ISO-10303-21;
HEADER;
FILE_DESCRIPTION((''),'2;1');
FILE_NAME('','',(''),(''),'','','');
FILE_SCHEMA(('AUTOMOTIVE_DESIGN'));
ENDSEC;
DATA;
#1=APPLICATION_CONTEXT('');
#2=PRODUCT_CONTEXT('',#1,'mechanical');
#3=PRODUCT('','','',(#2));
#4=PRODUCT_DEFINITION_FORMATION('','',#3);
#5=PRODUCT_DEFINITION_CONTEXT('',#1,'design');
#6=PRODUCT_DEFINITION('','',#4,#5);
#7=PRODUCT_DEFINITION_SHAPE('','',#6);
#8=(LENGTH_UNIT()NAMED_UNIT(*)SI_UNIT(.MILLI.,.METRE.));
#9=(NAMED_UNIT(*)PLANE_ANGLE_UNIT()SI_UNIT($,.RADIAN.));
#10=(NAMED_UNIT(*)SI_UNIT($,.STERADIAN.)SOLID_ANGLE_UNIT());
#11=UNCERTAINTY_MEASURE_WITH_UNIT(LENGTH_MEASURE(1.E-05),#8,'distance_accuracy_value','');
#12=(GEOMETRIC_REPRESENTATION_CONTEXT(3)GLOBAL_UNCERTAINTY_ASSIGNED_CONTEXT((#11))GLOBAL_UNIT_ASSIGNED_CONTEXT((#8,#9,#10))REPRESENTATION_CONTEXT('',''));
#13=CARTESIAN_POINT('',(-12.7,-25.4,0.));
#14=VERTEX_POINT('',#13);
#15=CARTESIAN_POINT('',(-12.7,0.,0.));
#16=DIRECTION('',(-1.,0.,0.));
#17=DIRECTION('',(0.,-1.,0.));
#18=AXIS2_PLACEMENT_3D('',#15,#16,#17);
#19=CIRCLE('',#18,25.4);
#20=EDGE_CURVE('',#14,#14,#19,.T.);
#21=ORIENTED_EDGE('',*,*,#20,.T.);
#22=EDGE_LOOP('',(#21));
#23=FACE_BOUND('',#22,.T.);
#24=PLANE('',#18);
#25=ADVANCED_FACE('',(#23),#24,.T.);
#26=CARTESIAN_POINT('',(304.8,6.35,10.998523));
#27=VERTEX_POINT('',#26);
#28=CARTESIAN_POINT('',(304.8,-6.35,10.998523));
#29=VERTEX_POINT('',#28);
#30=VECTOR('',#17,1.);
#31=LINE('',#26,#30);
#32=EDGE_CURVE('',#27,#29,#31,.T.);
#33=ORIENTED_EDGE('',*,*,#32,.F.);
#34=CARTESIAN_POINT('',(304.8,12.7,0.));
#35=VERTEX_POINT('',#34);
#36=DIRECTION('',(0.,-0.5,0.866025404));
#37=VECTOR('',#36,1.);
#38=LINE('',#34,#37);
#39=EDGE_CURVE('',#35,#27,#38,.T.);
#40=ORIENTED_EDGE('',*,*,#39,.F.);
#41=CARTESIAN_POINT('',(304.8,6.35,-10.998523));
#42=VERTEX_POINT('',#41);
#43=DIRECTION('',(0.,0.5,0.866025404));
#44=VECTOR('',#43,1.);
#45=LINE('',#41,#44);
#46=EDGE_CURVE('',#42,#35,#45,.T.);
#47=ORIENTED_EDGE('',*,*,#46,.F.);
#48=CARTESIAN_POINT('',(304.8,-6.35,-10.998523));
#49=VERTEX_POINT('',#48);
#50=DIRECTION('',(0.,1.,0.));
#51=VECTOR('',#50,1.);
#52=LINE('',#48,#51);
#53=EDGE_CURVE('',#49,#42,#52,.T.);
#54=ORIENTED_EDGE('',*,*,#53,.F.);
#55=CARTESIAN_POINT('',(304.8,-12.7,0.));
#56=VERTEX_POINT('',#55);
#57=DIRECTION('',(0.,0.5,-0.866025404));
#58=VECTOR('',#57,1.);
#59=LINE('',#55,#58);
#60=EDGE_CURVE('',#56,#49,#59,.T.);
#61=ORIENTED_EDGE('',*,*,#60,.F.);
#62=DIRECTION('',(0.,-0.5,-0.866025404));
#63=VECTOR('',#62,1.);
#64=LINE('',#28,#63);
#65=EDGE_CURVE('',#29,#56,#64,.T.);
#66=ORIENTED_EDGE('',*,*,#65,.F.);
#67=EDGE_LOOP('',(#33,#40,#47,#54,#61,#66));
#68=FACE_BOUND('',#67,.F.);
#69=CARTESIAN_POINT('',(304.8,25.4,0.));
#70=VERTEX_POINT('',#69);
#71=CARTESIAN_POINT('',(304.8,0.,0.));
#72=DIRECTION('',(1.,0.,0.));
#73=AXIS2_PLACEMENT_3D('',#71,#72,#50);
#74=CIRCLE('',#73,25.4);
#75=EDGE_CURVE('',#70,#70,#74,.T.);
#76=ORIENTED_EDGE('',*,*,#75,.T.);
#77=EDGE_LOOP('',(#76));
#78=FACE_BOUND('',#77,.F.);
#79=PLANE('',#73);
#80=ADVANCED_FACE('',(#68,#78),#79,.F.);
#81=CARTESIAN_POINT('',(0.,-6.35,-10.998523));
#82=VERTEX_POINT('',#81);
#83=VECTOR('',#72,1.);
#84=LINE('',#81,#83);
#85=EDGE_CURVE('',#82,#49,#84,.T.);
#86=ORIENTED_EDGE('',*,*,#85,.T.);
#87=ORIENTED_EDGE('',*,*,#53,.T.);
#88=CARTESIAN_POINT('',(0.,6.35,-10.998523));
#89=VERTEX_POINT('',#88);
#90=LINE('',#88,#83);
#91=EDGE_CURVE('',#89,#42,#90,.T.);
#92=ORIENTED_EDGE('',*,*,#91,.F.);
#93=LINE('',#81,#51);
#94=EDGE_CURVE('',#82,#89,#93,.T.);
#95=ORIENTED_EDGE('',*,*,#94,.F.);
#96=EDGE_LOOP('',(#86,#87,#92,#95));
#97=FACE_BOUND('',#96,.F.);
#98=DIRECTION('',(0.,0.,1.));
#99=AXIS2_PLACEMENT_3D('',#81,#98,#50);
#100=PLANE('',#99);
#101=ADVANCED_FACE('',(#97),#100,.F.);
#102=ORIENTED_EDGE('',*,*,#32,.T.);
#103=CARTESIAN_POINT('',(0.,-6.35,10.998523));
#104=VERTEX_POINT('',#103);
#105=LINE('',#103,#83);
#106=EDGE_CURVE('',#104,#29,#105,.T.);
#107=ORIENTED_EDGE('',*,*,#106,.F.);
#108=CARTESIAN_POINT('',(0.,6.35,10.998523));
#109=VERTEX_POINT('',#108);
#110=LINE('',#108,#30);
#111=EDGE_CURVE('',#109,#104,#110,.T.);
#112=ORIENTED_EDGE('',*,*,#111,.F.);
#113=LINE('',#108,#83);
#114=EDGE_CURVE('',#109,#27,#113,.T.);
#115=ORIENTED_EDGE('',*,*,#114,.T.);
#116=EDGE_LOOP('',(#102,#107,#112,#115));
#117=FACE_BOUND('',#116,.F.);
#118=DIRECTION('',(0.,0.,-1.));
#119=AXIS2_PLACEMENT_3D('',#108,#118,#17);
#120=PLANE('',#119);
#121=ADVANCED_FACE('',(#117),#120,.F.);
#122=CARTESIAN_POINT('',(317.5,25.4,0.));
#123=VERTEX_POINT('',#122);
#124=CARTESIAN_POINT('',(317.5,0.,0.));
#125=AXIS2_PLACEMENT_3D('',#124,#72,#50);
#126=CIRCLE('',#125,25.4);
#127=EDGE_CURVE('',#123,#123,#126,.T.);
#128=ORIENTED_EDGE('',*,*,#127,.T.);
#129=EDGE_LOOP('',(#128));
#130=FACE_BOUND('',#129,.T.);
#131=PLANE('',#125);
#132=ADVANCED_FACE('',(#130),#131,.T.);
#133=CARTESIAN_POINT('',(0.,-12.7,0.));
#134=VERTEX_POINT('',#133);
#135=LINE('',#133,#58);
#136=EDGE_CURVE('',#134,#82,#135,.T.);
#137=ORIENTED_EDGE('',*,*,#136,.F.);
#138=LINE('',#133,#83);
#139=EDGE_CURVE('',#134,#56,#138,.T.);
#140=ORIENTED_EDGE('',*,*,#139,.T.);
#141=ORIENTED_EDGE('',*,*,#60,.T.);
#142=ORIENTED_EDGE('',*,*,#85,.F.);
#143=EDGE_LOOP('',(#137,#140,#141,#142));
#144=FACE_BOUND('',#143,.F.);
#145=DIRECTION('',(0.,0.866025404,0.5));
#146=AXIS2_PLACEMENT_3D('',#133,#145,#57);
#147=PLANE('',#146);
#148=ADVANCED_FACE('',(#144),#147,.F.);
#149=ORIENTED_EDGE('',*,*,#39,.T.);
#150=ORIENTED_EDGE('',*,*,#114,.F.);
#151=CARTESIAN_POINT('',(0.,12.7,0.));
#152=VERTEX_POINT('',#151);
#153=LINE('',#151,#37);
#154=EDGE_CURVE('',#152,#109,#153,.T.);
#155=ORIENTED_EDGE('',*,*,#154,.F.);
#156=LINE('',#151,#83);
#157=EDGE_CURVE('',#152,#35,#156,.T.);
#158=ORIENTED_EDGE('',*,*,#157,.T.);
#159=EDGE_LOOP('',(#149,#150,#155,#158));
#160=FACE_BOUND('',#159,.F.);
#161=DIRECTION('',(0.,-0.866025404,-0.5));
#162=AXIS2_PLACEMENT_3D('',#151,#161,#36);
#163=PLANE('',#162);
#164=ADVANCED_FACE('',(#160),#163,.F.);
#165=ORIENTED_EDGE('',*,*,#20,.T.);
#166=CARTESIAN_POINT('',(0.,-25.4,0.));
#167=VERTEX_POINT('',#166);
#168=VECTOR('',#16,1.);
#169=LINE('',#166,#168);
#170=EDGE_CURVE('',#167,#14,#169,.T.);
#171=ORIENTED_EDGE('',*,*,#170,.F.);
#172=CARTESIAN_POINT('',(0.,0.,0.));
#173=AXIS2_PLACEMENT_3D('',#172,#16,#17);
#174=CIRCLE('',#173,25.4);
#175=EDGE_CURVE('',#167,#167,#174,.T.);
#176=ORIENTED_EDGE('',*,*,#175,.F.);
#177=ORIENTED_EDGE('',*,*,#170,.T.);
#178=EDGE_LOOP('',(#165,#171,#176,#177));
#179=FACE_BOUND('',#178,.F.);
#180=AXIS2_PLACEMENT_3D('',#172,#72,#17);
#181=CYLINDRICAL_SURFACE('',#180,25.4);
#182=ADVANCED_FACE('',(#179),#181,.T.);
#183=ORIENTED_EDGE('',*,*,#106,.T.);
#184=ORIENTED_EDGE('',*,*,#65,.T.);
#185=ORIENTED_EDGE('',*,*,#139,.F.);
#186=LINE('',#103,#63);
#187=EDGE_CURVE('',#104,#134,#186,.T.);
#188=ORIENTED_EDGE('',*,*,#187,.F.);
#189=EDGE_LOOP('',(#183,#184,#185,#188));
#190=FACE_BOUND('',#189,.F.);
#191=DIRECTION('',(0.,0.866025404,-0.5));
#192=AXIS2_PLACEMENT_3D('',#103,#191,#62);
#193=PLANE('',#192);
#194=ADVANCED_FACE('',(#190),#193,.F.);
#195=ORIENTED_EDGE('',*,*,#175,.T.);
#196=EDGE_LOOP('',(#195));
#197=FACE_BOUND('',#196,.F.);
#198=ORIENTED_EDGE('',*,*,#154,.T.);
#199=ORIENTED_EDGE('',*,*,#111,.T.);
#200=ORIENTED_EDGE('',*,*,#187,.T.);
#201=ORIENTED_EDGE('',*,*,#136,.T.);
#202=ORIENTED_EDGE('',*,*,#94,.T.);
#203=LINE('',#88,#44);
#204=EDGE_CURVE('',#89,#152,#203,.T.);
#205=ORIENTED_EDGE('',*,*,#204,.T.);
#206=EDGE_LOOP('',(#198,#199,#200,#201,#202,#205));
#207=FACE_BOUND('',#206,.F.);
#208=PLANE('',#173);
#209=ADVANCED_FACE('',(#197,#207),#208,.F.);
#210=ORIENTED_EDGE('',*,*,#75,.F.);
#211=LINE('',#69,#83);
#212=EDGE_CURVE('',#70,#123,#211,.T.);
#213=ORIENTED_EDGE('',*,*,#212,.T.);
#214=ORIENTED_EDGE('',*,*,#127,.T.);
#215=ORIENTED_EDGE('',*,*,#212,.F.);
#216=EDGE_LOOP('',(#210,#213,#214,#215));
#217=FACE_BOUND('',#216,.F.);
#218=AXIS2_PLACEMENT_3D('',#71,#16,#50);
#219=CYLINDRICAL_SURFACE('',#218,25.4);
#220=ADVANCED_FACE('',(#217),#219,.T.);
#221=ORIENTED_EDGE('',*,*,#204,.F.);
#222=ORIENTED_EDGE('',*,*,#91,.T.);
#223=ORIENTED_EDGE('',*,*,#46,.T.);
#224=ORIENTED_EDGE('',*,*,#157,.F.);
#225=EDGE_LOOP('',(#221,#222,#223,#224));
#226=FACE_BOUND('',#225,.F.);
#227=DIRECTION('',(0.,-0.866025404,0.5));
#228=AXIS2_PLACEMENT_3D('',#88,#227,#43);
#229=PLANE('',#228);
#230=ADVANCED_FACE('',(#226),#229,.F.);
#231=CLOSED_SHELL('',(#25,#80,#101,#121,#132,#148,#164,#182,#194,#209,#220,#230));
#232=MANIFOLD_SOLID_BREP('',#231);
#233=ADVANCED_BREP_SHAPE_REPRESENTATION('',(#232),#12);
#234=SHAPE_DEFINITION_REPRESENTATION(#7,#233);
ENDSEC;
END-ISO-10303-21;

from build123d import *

# Parameters (mm, degrees)
F1_DEPTH = 304.8
F2_R     = 25.4
F3_DEPTH = 12.7
F4_R     = 25.4
F5_DEPTH = 12.7


with BuildPart() as f1:
    # F0 (on Right) → F1 (new body)
    with BuildSketch(Plane.YZ):
        Polygon((6.35, -10.9985226281), (12.7, 0), (6.35, 10.9985226281), (-6.35, 10.9985226281), (-12.7, 0), (-6.35, -10.9985226281), align=None)
    extrude(amount=F1_DEPTH)

    # F2 (on face) → F3 (join)
    with BuildSketch(Plane.YZ.offset(304.8)):
        Circle(F2_R)
        Polygon((6.35, -10.9985226281), (-6.35, -10.9985226281), (-12.7, 0), (-6.35, 10.9985226281), (6.35, 10.9985226281), (12.7, 0), align=None, mode=Mode.SUBTRACT)
        Polygon((-12.7, 0), (-6.35, -10.9985226281), (6.35, -10.9985226281), (12.7, 0), (6.35, 10.9985226281), (-6.35, 10.9985226281), align=None)
    extrude(amount=F3_DEPTH)

    # F4 (on face) → F5 (join)
    with BuildSketch(Plane(origin=(0, 0, 0), x_dir=(0, -1, 0), z_dir=(-1, 0, 0))):
        Circle(F4_R)
        Polygon((6.35, -10.9985226281), (-6.35, -10.9985226281), (-12.7, 0), (-6.35, 10.9985226281), (6.35, 10.9985226281), (12.7, 0), align=None, mode=Mode.SUBTRACT)
        Polygon((-12.7, 0), (-6.35, -10.9985226281), (6.35, -10.9985226281), (12.7, 0), (6.35, 10.9985226281), (-6.35, 10.9985226281), align=None)
    extrude(amount=F5_DEPTH)


solid = f1.part
